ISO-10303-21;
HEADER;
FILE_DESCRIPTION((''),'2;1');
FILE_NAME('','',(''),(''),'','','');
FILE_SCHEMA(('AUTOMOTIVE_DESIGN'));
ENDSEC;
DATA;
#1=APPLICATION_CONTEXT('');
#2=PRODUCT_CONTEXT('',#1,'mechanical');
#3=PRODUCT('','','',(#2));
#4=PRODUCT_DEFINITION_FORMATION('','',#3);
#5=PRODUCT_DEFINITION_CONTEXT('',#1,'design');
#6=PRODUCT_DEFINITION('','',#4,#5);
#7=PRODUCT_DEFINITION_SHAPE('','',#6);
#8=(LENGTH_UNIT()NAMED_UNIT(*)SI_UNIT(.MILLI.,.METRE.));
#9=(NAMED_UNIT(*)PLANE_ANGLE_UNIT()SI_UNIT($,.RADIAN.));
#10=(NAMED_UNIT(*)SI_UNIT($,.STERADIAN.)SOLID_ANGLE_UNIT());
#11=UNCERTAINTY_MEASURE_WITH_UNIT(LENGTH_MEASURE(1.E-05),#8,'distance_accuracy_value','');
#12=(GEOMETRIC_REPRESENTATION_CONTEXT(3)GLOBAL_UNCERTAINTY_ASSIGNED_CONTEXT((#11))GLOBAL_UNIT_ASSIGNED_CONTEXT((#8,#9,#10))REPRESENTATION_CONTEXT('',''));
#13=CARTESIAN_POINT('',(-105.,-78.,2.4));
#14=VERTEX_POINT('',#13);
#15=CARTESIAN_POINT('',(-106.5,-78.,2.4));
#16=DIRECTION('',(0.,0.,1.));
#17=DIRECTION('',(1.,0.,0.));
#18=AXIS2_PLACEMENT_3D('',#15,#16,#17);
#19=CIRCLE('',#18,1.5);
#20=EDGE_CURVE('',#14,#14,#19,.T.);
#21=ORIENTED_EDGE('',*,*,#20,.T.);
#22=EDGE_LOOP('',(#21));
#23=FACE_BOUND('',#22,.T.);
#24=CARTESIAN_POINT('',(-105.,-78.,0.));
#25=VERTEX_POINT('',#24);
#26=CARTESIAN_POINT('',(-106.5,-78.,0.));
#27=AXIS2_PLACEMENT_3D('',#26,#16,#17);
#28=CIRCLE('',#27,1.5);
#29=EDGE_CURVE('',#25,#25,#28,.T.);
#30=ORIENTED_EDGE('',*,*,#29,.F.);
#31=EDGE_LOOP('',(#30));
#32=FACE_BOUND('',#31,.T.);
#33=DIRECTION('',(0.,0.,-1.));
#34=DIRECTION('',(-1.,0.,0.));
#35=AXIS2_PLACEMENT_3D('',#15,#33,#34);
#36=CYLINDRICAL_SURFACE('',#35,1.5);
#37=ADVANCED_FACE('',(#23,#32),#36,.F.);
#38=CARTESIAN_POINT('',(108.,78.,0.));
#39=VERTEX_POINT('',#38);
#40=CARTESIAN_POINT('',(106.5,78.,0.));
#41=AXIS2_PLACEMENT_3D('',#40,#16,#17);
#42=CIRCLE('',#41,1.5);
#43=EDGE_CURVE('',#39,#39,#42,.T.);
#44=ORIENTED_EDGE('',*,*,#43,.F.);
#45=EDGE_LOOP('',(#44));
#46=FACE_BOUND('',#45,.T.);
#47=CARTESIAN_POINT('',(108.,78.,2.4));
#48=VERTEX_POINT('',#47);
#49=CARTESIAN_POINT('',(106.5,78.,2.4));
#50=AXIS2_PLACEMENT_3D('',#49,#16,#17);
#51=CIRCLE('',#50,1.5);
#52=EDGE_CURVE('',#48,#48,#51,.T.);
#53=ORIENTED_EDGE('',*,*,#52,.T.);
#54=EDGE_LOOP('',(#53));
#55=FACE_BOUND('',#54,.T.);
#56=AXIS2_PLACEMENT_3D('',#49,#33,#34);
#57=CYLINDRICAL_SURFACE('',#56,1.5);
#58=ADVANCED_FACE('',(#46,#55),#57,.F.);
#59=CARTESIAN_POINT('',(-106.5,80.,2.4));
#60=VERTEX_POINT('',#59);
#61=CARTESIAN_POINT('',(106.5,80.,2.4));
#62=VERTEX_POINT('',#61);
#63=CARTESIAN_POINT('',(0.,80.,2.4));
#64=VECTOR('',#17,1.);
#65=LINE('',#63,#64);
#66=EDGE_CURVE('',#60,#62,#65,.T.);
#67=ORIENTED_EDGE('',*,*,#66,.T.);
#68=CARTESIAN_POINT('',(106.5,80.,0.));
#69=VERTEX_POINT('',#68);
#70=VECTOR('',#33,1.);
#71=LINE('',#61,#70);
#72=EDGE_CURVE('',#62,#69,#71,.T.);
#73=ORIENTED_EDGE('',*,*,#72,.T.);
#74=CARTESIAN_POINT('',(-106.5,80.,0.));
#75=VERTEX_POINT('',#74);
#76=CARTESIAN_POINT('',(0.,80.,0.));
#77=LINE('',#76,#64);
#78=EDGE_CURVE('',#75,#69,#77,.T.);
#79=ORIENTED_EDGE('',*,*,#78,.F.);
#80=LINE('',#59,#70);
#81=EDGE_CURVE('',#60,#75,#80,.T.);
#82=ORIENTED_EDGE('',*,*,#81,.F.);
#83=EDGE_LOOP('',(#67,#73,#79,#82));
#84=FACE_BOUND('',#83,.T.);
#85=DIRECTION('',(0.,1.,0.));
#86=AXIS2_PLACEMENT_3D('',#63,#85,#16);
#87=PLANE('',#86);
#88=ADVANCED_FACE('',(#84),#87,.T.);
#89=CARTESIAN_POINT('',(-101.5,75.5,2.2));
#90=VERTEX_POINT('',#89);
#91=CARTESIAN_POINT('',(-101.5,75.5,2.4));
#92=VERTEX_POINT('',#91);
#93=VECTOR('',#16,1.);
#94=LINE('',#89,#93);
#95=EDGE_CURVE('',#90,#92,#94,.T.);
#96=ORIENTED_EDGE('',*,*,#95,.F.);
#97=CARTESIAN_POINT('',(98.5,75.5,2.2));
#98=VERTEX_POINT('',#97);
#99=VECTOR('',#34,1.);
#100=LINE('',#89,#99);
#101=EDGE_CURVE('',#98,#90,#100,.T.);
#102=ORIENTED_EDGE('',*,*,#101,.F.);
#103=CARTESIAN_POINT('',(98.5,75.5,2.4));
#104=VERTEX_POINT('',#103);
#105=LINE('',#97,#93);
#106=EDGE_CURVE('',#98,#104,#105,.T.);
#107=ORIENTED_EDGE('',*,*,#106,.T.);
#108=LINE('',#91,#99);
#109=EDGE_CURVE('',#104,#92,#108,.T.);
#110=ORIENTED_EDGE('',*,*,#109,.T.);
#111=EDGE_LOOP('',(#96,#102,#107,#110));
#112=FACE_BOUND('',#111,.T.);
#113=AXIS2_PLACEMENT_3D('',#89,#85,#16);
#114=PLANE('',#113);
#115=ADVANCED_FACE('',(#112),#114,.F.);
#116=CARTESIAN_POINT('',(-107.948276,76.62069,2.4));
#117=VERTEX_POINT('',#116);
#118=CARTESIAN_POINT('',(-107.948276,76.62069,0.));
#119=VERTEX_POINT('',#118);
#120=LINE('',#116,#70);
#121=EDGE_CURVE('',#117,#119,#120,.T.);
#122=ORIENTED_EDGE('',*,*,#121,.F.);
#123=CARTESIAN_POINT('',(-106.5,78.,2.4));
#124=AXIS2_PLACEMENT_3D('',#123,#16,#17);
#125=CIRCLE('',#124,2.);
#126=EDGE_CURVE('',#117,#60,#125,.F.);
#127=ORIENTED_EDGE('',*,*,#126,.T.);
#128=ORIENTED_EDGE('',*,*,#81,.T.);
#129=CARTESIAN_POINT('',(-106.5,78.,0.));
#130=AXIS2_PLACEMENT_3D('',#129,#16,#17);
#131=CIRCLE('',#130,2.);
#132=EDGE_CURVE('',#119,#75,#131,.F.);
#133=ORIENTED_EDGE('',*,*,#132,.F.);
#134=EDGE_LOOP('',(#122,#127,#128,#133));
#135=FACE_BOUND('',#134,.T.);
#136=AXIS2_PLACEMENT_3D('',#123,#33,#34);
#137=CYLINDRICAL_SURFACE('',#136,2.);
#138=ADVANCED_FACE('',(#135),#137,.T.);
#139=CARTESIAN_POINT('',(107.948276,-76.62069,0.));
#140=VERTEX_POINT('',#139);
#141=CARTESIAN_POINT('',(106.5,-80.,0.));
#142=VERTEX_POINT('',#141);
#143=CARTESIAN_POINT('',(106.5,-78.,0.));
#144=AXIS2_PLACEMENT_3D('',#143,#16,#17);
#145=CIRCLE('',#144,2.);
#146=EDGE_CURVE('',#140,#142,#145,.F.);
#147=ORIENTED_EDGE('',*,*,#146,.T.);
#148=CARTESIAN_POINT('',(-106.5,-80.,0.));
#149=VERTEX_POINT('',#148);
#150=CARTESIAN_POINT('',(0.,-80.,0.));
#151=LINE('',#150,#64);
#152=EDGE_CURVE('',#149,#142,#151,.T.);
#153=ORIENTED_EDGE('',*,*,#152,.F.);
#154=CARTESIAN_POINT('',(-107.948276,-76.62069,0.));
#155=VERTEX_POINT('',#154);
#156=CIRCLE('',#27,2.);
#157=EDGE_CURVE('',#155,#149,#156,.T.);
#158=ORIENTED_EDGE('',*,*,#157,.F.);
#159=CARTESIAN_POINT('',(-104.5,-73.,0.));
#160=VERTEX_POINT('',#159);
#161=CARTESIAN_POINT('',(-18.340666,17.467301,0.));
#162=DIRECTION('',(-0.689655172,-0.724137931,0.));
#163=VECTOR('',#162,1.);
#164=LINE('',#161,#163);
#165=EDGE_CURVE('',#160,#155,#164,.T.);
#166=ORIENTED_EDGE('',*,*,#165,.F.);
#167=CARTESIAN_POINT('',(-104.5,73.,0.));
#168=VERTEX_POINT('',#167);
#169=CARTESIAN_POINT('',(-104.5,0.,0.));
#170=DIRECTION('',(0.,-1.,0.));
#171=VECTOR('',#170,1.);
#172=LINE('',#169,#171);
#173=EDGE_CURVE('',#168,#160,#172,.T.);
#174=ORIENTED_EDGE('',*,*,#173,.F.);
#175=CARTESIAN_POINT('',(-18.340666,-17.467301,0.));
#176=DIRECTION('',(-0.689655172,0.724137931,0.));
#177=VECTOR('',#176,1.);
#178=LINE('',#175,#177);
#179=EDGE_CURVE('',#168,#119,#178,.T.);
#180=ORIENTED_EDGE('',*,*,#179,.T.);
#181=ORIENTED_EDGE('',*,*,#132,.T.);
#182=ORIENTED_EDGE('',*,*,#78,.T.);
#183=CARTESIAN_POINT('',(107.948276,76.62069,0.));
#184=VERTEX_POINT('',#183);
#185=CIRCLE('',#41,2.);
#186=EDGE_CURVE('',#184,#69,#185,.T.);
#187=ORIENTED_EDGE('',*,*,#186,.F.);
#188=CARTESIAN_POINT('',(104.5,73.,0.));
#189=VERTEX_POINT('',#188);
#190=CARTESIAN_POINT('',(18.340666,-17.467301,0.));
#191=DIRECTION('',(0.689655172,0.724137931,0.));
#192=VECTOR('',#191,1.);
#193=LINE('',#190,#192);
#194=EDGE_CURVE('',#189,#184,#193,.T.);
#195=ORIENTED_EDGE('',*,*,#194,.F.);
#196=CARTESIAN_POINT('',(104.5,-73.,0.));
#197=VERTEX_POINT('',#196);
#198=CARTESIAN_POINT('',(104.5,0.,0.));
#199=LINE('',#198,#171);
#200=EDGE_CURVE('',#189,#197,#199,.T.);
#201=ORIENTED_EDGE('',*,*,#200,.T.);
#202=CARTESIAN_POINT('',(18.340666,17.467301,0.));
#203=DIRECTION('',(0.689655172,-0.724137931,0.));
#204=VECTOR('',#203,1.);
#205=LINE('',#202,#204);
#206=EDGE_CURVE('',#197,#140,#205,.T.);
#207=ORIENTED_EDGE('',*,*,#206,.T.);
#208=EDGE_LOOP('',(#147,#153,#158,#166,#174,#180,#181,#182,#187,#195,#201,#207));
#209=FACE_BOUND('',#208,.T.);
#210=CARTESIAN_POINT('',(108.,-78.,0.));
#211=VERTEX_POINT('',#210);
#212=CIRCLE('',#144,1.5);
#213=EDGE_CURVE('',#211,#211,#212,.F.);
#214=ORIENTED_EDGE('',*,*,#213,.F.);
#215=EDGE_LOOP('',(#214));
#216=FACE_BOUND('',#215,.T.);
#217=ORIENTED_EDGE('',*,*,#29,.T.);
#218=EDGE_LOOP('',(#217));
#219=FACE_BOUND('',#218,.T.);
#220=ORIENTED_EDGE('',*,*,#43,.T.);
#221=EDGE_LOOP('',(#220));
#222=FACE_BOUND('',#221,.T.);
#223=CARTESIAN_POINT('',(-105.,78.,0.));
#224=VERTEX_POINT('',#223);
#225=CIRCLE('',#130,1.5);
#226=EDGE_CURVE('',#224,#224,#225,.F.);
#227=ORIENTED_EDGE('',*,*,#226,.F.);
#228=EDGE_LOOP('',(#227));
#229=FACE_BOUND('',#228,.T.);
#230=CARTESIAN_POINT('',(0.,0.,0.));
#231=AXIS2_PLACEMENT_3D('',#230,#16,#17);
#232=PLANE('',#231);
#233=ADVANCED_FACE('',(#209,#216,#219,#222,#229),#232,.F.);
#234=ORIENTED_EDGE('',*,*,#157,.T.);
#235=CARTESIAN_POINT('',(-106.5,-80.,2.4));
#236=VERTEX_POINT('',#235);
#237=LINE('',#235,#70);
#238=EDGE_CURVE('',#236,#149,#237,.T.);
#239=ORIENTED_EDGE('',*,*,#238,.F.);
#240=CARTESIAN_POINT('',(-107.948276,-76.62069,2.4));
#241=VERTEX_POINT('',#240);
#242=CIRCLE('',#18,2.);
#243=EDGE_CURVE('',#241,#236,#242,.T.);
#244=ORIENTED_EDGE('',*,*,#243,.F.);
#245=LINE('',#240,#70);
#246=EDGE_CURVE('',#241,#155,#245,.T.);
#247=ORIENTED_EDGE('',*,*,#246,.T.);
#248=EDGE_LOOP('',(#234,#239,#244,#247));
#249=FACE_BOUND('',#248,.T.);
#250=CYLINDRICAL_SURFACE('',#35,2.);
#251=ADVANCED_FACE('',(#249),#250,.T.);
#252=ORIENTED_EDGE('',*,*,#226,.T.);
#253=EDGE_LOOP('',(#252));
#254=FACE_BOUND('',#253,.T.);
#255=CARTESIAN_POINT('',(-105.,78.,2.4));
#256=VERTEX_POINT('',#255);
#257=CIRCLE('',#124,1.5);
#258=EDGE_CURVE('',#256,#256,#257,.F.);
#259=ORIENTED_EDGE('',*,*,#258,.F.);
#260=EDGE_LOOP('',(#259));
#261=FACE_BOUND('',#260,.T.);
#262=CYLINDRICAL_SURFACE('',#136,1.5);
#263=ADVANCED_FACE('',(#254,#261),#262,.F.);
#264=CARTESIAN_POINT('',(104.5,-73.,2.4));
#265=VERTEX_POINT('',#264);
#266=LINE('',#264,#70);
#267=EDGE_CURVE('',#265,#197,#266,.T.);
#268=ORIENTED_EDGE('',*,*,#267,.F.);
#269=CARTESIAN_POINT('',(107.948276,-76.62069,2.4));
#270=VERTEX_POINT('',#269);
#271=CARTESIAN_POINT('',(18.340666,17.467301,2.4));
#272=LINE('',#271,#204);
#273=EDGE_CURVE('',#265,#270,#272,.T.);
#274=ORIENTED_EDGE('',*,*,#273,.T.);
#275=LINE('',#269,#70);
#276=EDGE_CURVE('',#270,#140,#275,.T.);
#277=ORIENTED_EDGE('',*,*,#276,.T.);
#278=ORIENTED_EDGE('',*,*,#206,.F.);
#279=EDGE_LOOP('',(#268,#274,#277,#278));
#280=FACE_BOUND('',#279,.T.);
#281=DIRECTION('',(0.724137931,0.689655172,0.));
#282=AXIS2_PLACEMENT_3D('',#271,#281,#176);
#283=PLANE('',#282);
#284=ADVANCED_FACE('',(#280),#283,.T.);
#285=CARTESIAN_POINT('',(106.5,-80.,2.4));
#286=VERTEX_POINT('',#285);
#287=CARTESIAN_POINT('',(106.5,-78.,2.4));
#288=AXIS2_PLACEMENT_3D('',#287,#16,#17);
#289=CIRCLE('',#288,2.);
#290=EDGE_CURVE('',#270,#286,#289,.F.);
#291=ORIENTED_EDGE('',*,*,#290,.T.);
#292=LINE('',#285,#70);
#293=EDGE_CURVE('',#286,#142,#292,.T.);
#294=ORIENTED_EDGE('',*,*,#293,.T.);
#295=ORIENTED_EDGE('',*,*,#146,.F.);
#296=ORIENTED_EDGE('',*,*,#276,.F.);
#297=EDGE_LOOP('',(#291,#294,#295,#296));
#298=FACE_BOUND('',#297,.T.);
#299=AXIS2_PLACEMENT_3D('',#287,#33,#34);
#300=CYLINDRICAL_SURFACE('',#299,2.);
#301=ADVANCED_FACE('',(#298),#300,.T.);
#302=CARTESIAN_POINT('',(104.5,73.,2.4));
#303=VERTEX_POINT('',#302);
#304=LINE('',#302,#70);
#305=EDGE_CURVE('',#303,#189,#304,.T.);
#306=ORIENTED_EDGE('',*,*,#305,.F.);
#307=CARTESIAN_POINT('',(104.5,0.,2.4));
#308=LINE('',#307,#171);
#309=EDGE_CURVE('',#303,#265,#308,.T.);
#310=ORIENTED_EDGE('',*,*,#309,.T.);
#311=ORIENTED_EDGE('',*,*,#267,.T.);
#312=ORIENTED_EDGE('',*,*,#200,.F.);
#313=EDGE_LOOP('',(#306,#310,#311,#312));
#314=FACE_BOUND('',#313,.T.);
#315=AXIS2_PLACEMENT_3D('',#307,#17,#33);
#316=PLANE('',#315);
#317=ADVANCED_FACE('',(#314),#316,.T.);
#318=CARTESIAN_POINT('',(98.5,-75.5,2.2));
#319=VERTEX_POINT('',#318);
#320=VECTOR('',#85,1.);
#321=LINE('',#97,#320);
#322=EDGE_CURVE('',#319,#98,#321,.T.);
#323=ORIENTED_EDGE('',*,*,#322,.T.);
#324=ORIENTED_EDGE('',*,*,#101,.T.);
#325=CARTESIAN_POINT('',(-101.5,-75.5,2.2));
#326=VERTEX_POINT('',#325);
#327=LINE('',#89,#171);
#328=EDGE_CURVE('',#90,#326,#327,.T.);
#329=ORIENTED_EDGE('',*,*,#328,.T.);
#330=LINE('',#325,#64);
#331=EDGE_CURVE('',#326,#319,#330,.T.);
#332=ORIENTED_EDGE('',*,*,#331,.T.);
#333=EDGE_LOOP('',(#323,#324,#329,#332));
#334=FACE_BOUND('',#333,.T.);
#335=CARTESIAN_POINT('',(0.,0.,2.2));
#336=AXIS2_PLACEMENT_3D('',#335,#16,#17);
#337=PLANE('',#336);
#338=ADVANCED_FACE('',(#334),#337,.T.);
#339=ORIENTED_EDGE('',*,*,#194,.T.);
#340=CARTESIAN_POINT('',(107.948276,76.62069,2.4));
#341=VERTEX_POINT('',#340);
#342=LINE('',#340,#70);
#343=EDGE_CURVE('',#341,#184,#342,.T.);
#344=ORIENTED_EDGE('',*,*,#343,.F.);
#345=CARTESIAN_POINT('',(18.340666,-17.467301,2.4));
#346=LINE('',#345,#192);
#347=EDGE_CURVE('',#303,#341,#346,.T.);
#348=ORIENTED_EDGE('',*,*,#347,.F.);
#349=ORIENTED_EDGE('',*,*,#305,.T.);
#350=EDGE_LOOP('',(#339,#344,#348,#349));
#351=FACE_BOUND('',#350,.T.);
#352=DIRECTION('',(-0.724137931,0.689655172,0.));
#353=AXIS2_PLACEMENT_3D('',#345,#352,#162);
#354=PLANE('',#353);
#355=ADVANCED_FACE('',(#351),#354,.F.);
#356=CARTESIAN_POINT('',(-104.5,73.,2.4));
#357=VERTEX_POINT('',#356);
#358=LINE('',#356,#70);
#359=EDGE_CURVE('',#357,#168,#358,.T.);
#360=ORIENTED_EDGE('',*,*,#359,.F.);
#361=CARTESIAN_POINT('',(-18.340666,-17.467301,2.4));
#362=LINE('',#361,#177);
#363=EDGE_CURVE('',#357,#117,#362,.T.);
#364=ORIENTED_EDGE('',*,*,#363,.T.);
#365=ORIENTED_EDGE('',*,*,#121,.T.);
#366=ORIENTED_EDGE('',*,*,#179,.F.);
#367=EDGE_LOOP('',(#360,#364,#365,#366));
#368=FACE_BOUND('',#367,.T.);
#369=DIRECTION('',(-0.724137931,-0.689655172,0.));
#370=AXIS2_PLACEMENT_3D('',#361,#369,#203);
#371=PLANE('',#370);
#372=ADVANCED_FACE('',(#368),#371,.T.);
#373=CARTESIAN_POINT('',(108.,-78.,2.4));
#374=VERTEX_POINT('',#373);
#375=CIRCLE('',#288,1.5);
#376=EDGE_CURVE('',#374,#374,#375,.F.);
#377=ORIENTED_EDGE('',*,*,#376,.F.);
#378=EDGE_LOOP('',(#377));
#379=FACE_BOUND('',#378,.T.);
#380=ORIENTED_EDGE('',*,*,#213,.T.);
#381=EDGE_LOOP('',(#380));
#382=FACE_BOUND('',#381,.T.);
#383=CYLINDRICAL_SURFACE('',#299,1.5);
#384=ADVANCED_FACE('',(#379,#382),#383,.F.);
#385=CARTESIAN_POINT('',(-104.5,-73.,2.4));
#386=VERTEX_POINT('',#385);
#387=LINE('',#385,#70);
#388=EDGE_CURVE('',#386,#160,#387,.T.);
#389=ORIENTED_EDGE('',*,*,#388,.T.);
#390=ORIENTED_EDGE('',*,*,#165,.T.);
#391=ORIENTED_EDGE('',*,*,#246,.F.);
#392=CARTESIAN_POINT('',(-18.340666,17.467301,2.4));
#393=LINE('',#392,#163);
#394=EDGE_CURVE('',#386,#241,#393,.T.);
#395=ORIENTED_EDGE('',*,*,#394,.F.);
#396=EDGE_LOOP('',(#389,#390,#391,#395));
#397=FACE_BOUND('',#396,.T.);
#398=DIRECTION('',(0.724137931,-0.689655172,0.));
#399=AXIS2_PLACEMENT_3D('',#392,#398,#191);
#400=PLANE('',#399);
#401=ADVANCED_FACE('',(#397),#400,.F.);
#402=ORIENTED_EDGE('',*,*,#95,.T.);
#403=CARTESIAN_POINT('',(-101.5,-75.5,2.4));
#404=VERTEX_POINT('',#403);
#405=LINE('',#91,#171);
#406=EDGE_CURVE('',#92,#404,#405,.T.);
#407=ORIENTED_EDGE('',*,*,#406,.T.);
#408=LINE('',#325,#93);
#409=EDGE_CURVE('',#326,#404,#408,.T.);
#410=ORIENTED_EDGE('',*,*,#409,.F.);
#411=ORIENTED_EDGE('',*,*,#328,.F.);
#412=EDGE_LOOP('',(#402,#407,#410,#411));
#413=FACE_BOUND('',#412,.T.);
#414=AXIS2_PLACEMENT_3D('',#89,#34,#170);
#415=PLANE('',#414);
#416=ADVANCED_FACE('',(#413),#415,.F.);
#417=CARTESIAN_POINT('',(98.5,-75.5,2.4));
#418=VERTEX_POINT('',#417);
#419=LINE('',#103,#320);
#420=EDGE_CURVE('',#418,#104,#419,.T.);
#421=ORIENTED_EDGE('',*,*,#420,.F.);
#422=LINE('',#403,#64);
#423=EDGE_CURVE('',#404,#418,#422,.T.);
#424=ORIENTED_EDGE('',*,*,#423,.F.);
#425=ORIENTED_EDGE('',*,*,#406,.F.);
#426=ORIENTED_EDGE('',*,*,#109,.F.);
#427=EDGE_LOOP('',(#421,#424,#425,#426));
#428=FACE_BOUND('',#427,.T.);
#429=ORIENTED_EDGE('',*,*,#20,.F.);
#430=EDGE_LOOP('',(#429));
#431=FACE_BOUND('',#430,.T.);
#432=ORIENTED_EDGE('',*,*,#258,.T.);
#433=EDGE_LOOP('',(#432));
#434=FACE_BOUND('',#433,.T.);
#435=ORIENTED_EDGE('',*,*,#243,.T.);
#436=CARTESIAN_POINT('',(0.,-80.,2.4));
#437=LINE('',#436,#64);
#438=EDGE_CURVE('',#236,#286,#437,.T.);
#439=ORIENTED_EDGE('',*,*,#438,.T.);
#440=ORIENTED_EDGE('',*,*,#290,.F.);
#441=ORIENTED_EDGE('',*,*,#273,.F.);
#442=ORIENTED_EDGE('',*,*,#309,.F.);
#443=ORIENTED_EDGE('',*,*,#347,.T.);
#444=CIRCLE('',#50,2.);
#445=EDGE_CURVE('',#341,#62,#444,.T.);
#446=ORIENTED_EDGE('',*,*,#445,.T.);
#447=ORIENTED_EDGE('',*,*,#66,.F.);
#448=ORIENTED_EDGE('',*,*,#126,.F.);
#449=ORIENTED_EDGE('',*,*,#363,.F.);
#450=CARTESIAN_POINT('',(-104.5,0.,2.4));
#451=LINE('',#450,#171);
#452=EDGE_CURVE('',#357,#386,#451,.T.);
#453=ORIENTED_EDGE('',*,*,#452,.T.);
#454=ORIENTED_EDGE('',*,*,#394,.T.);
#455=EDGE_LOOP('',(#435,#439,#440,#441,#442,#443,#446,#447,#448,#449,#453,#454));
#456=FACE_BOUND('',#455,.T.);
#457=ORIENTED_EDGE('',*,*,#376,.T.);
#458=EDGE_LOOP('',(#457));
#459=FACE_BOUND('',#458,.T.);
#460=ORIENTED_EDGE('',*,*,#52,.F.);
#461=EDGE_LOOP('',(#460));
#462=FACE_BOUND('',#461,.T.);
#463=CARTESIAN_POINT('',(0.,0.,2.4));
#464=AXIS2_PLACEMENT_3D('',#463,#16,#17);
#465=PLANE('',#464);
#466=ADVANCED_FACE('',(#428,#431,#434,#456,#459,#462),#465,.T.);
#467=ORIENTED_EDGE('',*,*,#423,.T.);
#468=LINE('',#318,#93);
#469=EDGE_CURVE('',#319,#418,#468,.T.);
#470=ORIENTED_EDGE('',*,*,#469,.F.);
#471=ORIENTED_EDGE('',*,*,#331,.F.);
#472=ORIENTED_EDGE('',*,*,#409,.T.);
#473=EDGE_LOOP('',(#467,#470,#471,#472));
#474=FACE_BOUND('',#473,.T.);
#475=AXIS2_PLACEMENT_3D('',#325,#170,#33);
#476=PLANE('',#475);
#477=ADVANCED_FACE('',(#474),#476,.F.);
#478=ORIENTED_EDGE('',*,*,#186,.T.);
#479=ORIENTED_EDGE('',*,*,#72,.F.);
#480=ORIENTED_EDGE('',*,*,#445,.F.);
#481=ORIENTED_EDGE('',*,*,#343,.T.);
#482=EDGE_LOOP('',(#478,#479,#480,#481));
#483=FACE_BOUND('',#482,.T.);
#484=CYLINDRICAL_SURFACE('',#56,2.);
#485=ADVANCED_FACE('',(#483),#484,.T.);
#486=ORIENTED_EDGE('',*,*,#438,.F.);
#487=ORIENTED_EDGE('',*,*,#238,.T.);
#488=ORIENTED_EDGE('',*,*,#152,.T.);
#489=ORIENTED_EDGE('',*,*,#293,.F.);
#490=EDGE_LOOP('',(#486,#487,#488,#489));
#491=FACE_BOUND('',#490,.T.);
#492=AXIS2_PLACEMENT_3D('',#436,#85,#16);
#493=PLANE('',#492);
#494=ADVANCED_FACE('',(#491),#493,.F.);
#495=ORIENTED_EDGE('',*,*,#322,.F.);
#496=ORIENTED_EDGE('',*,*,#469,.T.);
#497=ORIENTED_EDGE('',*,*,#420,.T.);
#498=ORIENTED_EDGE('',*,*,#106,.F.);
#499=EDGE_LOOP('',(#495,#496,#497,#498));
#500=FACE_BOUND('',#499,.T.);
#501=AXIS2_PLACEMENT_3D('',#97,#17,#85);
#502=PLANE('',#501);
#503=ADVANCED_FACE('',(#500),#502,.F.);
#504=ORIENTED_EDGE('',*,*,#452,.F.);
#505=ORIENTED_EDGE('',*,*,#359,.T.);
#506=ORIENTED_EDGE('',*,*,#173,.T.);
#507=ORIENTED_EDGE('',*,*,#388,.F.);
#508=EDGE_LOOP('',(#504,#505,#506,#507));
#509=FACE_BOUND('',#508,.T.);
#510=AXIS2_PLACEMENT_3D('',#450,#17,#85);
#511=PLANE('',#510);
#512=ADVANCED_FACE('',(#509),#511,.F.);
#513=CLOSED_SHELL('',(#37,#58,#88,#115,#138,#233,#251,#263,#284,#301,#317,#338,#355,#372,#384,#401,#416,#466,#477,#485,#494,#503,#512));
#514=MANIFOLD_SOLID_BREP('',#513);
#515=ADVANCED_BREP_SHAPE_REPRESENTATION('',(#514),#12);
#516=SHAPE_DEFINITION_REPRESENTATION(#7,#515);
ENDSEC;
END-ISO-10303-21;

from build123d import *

# Parameters (mm, degrees)
CROQUIS1_W              = 209
CROQUIS1_H              = 160
CROQUIS1_R              = 1.5
SALIENTE_EXTRUIR1_DEPTH = 2.4
CROQUIS2_W              = 200
CROQUIS2_H              = 151
CORTAR_EXTRUIR1_DEPTH   = 0.2


with BuildPart() as part:
    # Croquis1 → Saliente-Extruir1 (new body)
    with BuildSketch(Plane.XY):
        Rectangle(CROQUIS1_W, CROQUIS1_H)
        with BuildLine():
            Line((-104.5, 73), (-104.5, 80))
            Line((-104.5, 80), (-106.5, 80))
            ThreePointArc((-106.5, 80), (-108.33829006, 78.787838597), (-107.948275862, 76.620689655))
            Line((-107.948275862, 76.620689655), (-104.5, 73))
        make_face()
        with Locations((-106.5, 78)):
            Circle(CROQUIS1_R, mode=Mode.SUBTRACT)
        with BuildLine():
            Line((106.5, 80), (104.5, 80))
            Line((104.5, 80), (104.5, 73))
            Line((104.5, 73), (107.948275862, 76.620689655))
            ThreePointArc((107.948275862, 76.620689655), (108.33829006, 78.787838597), (106.5, 80))
        make_face()
        with Locations((106.5, 78)):
            Circle(CROQUIS1_R, mode=Mode.SUBTRACT)
        with BuildLine():
            Line((107.948275862, -76.620689655), (104.5, -73))
            Line((104.5, -73), (104.5, -80))
            Line((104.5, -80), (106.5, -80))
            ThreePointArc((106.5, -80), (108.33829006, -78.787838597), (107.948275862, -76.620689655))
        make_face()
        with Locations((106.5, -78)):
            Circle(CROQUIS1_R, mode=Mode.SUBTRACT)
        with BuildLine():
            Line((-104.5, -80), (-104.5, -73))
            Line((-104.5, -73), (-107.948275862, -76.620689655))
            ThreePointArc((-107.948275862, -76.620689655), (-108.33829006, -78.787838597), (-106.5, -80))
            Line((-106.5, -80), (-104.5, -80))
        make_face()
        with Locations((-106.5, -78)):
            Circle(CROQUIS1_R, mode=Mode.SUBTRACT)
    extrude(amount=SALIENTE_EXTRUIR1_DEPTH)

    # Croquis2 → Cortar-Extruir1 (cut)
    with BuildSketch(Plane.XY.offset(2.4)):
        with Locations((-1.5, 0)):
            Rectangle(CROQUIS2_W, CROQUIS2_H)
    extrude(amount=-CORTAR_EXTRUIR1_DEPTH, mode=Mode.SUBTRACT)


solid = part.part
